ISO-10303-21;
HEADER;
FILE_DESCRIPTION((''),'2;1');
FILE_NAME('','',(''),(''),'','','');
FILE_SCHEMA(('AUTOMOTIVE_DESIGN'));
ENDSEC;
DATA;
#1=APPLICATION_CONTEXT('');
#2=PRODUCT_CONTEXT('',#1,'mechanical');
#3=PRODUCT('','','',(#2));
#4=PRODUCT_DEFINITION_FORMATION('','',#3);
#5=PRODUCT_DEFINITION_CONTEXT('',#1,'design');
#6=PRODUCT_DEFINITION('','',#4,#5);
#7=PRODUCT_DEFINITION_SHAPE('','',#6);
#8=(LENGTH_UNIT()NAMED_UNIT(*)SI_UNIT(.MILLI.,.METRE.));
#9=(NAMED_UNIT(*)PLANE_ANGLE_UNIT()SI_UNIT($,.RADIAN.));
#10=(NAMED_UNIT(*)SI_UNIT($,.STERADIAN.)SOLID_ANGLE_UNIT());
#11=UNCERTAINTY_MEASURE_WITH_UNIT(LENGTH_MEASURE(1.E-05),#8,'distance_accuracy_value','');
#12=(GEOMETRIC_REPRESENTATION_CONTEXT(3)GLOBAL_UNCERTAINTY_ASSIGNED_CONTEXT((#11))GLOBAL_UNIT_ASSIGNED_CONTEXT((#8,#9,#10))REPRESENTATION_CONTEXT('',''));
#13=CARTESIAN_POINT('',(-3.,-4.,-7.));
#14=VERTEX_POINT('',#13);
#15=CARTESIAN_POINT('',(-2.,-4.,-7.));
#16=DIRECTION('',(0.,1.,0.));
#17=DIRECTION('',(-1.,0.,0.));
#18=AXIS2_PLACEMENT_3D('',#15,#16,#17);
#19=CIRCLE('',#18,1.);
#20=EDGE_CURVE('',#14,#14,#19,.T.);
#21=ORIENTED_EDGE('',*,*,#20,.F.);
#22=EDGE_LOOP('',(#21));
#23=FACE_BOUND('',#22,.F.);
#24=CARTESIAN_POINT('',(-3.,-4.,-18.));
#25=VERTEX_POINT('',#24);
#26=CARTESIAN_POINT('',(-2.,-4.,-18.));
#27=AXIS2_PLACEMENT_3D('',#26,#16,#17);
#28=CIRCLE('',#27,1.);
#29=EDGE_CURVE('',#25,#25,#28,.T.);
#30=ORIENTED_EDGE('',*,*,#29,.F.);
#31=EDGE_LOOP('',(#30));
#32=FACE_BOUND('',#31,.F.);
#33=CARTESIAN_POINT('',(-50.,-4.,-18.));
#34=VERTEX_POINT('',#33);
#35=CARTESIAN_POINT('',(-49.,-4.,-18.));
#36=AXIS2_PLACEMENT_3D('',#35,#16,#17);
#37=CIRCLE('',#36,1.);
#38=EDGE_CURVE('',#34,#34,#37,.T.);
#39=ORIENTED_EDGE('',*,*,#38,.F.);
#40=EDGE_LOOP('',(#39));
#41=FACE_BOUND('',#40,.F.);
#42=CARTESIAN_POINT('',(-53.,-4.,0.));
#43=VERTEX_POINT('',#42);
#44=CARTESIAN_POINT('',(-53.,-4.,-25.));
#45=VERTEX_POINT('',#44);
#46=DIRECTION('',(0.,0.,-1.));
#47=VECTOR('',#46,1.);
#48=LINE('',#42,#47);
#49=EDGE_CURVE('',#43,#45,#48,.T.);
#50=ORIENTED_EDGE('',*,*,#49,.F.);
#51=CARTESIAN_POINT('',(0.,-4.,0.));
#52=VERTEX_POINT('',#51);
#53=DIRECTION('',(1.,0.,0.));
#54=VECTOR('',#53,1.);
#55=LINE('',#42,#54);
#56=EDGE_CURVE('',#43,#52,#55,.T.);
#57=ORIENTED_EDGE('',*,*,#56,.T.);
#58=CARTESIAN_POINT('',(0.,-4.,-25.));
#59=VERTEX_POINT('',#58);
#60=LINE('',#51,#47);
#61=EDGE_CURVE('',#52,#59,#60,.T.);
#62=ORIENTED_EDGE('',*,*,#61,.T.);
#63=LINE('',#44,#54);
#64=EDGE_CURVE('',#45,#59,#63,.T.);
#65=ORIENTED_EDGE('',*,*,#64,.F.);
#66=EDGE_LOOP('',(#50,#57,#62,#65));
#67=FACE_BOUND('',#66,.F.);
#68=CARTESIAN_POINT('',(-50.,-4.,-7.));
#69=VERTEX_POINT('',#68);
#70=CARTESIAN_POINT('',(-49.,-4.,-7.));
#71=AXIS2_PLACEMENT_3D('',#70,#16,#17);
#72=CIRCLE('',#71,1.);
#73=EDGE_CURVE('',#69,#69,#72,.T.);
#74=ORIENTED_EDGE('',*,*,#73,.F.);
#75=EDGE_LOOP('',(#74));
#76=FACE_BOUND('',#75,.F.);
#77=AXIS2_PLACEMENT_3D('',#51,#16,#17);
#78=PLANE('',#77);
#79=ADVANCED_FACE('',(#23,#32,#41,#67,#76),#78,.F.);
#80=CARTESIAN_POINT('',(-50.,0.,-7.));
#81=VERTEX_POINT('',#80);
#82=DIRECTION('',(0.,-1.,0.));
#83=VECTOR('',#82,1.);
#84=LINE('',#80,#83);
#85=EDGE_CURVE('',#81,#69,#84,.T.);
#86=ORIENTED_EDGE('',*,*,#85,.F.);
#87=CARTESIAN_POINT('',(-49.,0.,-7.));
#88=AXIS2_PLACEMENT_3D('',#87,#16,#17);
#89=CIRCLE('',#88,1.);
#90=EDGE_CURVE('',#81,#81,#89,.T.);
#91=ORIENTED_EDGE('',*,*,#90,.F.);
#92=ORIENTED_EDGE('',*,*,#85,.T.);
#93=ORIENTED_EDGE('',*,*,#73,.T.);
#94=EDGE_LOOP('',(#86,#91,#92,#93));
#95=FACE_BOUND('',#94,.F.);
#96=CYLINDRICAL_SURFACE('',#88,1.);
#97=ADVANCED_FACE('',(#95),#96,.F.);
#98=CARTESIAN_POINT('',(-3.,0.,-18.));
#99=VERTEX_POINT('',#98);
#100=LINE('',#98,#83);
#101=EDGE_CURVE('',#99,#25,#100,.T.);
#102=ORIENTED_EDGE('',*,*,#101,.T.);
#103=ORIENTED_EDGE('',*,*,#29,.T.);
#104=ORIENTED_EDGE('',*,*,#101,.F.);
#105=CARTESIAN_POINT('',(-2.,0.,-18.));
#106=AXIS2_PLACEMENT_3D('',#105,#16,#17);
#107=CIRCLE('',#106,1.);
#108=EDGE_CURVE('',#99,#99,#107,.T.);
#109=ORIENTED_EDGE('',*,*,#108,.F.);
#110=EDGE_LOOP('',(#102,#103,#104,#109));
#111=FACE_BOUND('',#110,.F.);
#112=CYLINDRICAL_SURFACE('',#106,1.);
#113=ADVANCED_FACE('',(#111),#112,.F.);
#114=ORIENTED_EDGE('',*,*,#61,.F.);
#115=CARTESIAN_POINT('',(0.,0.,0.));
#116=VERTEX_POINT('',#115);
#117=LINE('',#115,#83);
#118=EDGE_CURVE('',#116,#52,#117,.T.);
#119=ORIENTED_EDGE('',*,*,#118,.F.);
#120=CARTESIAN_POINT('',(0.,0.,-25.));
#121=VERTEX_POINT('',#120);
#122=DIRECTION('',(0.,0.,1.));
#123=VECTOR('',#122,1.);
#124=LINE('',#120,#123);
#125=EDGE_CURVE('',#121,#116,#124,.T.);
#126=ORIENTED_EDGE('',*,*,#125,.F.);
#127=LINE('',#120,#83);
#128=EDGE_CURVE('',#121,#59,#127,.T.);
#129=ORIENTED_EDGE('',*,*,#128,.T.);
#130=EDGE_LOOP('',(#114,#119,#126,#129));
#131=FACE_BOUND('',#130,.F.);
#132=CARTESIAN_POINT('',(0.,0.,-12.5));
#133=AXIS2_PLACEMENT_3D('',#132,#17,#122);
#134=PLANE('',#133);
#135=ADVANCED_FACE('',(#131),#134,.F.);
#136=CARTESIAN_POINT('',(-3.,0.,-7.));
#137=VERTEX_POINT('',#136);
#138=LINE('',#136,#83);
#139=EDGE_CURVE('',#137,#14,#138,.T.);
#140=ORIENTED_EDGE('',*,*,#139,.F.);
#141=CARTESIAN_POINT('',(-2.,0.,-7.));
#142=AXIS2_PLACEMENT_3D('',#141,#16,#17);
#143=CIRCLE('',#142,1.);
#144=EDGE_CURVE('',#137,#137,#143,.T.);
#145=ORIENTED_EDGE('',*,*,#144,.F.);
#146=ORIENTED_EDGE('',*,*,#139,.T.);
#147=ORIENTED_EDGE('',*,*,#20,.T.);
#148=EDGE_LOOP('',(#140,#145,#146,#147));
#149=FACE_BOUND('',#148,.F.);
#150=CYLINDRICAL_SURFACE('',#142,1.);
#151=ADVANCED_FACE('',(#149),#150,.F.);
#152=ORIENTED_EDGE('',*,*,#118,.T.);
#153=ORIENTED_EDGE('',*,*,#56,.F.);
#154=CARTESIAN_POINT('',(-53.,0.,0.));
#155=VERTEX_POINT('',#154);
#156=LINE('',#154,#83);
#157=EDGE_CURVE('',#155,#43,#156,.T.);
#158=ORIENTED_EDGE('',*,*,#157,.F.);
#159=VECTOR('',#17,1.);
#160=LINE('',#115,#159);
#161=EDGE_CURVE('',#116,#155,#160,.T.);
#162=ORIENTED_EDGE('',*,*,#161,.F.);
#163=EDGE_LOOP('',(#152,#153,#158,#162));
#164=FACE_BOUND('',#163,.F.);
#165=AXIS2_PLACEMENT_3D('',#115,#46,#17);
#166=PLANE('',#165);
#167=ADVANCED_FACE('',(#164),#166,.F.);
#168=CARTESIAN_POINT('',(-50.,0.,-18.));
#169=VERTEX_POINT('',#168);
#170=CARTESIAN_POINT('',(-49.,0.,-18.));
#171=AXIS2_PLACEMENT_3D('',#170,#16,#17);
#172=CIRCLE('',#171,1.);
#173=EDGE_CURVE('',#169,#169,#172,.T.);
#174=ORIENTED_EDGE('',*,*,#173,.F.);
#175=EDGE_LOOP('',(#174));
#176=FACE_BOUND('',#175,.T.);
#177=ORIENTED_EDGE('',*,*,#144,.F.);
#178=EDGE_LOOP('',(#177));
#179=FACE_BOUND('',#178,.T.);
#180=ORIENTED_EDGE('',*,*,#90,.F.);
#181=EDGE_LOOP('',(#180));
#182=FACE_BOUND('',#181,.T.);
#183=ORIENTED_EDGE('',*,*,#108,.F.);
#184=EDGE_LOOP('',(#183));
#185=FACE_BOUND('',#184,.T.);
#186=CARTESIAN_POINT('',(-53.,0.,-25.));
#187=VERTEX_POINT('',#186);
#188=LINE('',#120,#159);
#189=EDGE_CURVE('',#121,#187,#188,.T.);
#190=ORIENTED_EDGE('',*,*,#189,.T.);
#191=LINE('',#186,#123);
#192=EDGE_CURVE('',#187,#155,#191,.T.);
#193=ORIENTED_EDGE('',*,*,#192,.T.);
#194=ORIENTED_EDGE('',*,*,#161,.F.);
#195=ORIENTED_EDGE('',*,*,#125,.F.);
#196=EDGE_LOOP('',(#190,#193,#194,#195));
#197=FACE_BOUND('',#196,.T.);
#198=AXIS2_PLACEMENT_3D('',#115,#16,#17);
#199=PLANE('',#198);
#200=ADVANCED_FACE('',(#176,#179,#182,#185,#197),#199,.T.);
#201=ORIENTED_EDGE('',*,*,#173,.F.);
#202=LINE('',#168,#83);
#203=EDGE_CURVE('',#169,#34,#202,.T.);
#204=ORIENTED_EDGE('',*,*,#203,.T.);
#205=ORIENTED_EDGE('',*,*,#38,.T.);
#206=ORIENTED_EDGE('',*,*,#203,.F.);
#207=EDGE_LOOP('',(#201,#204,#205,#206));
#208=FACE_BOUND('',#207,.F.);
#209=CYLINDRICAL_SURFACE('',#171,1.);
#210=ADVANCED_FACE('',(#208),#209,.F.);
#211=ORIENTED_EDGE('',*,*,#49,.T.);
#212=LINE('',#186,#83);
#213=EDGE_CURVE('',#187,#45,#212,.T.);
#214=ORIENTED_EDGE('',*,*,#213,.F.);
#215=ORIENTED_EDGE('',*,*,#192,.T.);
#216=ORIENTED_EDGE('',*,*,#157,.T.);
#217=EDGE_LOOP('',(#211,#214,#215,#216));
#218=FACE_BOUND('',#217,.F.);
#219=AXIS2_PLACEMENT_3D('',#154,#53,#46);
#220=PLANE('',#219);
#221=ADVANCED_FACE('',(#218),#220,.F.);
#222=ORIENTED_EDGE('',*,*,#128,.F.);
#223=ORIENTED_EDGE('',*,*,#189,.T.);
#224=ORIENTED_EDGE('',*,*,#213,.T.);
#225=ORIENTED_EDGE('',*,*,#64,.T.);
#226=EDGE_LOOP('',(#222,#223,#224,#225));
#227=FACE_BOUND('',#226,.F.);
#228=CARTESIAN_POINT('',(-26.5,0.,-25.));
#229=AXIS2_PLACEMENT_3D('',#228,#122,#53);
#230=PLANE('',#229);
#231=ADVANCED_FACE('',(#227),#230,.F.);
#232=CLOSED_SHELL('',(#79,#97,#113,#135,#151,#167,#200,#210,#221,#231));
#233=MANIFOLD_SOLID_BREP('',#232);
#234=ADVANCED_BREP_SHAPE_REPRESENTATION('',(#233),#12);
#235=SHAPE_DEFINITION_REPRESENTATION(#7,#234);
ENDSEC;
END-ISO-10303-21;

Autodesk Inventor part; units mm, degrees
ref_plane "YZ Plane" through (0, 0, 0) normal (1, 0, 0) x (0, 1, 0)
ref_plane "XZ Plane" through (0, 0, 0) normal (0, 1, 0) x (-1, 0, 0)
ref_plane "XY Plane" through (0, 0, 0) normal (0, 0, 1) x (1, 0, 0)
sketch "Sketch1" plane through (0, 0, 0) normal (0, 1, 0) x (-1, 0, 0)
  line L0 (0, 0) -> (53, 0)
  line L1 (53, 0) -> (53, -25)
  line L2 (53, -25) -> (0, -25)
  line L3 (0, -25) -> (0, 0)
  circle A0 centre (49, -18) radius 1
  circle A1 centre (49, -7) radius 1
  line L4 (53, -12.5) -> (0, -12.5)
  line L5 (26.5, 0) -> (26.5, -25)
  circle A2 centre (2, -18) radius 1
  circle A3 centre (2, -7) radius 1
  dimension "d228" = 25
  dimension "d229" = 53
  dimension "d232" = 11
  dimension "d233" = 4
  dimension "d234" = 2
  dimension "d240" = 2
extrude "Extrusion1" add sketch "Sketch1" against normal blind 4
properties part number "Langbektang houder"
